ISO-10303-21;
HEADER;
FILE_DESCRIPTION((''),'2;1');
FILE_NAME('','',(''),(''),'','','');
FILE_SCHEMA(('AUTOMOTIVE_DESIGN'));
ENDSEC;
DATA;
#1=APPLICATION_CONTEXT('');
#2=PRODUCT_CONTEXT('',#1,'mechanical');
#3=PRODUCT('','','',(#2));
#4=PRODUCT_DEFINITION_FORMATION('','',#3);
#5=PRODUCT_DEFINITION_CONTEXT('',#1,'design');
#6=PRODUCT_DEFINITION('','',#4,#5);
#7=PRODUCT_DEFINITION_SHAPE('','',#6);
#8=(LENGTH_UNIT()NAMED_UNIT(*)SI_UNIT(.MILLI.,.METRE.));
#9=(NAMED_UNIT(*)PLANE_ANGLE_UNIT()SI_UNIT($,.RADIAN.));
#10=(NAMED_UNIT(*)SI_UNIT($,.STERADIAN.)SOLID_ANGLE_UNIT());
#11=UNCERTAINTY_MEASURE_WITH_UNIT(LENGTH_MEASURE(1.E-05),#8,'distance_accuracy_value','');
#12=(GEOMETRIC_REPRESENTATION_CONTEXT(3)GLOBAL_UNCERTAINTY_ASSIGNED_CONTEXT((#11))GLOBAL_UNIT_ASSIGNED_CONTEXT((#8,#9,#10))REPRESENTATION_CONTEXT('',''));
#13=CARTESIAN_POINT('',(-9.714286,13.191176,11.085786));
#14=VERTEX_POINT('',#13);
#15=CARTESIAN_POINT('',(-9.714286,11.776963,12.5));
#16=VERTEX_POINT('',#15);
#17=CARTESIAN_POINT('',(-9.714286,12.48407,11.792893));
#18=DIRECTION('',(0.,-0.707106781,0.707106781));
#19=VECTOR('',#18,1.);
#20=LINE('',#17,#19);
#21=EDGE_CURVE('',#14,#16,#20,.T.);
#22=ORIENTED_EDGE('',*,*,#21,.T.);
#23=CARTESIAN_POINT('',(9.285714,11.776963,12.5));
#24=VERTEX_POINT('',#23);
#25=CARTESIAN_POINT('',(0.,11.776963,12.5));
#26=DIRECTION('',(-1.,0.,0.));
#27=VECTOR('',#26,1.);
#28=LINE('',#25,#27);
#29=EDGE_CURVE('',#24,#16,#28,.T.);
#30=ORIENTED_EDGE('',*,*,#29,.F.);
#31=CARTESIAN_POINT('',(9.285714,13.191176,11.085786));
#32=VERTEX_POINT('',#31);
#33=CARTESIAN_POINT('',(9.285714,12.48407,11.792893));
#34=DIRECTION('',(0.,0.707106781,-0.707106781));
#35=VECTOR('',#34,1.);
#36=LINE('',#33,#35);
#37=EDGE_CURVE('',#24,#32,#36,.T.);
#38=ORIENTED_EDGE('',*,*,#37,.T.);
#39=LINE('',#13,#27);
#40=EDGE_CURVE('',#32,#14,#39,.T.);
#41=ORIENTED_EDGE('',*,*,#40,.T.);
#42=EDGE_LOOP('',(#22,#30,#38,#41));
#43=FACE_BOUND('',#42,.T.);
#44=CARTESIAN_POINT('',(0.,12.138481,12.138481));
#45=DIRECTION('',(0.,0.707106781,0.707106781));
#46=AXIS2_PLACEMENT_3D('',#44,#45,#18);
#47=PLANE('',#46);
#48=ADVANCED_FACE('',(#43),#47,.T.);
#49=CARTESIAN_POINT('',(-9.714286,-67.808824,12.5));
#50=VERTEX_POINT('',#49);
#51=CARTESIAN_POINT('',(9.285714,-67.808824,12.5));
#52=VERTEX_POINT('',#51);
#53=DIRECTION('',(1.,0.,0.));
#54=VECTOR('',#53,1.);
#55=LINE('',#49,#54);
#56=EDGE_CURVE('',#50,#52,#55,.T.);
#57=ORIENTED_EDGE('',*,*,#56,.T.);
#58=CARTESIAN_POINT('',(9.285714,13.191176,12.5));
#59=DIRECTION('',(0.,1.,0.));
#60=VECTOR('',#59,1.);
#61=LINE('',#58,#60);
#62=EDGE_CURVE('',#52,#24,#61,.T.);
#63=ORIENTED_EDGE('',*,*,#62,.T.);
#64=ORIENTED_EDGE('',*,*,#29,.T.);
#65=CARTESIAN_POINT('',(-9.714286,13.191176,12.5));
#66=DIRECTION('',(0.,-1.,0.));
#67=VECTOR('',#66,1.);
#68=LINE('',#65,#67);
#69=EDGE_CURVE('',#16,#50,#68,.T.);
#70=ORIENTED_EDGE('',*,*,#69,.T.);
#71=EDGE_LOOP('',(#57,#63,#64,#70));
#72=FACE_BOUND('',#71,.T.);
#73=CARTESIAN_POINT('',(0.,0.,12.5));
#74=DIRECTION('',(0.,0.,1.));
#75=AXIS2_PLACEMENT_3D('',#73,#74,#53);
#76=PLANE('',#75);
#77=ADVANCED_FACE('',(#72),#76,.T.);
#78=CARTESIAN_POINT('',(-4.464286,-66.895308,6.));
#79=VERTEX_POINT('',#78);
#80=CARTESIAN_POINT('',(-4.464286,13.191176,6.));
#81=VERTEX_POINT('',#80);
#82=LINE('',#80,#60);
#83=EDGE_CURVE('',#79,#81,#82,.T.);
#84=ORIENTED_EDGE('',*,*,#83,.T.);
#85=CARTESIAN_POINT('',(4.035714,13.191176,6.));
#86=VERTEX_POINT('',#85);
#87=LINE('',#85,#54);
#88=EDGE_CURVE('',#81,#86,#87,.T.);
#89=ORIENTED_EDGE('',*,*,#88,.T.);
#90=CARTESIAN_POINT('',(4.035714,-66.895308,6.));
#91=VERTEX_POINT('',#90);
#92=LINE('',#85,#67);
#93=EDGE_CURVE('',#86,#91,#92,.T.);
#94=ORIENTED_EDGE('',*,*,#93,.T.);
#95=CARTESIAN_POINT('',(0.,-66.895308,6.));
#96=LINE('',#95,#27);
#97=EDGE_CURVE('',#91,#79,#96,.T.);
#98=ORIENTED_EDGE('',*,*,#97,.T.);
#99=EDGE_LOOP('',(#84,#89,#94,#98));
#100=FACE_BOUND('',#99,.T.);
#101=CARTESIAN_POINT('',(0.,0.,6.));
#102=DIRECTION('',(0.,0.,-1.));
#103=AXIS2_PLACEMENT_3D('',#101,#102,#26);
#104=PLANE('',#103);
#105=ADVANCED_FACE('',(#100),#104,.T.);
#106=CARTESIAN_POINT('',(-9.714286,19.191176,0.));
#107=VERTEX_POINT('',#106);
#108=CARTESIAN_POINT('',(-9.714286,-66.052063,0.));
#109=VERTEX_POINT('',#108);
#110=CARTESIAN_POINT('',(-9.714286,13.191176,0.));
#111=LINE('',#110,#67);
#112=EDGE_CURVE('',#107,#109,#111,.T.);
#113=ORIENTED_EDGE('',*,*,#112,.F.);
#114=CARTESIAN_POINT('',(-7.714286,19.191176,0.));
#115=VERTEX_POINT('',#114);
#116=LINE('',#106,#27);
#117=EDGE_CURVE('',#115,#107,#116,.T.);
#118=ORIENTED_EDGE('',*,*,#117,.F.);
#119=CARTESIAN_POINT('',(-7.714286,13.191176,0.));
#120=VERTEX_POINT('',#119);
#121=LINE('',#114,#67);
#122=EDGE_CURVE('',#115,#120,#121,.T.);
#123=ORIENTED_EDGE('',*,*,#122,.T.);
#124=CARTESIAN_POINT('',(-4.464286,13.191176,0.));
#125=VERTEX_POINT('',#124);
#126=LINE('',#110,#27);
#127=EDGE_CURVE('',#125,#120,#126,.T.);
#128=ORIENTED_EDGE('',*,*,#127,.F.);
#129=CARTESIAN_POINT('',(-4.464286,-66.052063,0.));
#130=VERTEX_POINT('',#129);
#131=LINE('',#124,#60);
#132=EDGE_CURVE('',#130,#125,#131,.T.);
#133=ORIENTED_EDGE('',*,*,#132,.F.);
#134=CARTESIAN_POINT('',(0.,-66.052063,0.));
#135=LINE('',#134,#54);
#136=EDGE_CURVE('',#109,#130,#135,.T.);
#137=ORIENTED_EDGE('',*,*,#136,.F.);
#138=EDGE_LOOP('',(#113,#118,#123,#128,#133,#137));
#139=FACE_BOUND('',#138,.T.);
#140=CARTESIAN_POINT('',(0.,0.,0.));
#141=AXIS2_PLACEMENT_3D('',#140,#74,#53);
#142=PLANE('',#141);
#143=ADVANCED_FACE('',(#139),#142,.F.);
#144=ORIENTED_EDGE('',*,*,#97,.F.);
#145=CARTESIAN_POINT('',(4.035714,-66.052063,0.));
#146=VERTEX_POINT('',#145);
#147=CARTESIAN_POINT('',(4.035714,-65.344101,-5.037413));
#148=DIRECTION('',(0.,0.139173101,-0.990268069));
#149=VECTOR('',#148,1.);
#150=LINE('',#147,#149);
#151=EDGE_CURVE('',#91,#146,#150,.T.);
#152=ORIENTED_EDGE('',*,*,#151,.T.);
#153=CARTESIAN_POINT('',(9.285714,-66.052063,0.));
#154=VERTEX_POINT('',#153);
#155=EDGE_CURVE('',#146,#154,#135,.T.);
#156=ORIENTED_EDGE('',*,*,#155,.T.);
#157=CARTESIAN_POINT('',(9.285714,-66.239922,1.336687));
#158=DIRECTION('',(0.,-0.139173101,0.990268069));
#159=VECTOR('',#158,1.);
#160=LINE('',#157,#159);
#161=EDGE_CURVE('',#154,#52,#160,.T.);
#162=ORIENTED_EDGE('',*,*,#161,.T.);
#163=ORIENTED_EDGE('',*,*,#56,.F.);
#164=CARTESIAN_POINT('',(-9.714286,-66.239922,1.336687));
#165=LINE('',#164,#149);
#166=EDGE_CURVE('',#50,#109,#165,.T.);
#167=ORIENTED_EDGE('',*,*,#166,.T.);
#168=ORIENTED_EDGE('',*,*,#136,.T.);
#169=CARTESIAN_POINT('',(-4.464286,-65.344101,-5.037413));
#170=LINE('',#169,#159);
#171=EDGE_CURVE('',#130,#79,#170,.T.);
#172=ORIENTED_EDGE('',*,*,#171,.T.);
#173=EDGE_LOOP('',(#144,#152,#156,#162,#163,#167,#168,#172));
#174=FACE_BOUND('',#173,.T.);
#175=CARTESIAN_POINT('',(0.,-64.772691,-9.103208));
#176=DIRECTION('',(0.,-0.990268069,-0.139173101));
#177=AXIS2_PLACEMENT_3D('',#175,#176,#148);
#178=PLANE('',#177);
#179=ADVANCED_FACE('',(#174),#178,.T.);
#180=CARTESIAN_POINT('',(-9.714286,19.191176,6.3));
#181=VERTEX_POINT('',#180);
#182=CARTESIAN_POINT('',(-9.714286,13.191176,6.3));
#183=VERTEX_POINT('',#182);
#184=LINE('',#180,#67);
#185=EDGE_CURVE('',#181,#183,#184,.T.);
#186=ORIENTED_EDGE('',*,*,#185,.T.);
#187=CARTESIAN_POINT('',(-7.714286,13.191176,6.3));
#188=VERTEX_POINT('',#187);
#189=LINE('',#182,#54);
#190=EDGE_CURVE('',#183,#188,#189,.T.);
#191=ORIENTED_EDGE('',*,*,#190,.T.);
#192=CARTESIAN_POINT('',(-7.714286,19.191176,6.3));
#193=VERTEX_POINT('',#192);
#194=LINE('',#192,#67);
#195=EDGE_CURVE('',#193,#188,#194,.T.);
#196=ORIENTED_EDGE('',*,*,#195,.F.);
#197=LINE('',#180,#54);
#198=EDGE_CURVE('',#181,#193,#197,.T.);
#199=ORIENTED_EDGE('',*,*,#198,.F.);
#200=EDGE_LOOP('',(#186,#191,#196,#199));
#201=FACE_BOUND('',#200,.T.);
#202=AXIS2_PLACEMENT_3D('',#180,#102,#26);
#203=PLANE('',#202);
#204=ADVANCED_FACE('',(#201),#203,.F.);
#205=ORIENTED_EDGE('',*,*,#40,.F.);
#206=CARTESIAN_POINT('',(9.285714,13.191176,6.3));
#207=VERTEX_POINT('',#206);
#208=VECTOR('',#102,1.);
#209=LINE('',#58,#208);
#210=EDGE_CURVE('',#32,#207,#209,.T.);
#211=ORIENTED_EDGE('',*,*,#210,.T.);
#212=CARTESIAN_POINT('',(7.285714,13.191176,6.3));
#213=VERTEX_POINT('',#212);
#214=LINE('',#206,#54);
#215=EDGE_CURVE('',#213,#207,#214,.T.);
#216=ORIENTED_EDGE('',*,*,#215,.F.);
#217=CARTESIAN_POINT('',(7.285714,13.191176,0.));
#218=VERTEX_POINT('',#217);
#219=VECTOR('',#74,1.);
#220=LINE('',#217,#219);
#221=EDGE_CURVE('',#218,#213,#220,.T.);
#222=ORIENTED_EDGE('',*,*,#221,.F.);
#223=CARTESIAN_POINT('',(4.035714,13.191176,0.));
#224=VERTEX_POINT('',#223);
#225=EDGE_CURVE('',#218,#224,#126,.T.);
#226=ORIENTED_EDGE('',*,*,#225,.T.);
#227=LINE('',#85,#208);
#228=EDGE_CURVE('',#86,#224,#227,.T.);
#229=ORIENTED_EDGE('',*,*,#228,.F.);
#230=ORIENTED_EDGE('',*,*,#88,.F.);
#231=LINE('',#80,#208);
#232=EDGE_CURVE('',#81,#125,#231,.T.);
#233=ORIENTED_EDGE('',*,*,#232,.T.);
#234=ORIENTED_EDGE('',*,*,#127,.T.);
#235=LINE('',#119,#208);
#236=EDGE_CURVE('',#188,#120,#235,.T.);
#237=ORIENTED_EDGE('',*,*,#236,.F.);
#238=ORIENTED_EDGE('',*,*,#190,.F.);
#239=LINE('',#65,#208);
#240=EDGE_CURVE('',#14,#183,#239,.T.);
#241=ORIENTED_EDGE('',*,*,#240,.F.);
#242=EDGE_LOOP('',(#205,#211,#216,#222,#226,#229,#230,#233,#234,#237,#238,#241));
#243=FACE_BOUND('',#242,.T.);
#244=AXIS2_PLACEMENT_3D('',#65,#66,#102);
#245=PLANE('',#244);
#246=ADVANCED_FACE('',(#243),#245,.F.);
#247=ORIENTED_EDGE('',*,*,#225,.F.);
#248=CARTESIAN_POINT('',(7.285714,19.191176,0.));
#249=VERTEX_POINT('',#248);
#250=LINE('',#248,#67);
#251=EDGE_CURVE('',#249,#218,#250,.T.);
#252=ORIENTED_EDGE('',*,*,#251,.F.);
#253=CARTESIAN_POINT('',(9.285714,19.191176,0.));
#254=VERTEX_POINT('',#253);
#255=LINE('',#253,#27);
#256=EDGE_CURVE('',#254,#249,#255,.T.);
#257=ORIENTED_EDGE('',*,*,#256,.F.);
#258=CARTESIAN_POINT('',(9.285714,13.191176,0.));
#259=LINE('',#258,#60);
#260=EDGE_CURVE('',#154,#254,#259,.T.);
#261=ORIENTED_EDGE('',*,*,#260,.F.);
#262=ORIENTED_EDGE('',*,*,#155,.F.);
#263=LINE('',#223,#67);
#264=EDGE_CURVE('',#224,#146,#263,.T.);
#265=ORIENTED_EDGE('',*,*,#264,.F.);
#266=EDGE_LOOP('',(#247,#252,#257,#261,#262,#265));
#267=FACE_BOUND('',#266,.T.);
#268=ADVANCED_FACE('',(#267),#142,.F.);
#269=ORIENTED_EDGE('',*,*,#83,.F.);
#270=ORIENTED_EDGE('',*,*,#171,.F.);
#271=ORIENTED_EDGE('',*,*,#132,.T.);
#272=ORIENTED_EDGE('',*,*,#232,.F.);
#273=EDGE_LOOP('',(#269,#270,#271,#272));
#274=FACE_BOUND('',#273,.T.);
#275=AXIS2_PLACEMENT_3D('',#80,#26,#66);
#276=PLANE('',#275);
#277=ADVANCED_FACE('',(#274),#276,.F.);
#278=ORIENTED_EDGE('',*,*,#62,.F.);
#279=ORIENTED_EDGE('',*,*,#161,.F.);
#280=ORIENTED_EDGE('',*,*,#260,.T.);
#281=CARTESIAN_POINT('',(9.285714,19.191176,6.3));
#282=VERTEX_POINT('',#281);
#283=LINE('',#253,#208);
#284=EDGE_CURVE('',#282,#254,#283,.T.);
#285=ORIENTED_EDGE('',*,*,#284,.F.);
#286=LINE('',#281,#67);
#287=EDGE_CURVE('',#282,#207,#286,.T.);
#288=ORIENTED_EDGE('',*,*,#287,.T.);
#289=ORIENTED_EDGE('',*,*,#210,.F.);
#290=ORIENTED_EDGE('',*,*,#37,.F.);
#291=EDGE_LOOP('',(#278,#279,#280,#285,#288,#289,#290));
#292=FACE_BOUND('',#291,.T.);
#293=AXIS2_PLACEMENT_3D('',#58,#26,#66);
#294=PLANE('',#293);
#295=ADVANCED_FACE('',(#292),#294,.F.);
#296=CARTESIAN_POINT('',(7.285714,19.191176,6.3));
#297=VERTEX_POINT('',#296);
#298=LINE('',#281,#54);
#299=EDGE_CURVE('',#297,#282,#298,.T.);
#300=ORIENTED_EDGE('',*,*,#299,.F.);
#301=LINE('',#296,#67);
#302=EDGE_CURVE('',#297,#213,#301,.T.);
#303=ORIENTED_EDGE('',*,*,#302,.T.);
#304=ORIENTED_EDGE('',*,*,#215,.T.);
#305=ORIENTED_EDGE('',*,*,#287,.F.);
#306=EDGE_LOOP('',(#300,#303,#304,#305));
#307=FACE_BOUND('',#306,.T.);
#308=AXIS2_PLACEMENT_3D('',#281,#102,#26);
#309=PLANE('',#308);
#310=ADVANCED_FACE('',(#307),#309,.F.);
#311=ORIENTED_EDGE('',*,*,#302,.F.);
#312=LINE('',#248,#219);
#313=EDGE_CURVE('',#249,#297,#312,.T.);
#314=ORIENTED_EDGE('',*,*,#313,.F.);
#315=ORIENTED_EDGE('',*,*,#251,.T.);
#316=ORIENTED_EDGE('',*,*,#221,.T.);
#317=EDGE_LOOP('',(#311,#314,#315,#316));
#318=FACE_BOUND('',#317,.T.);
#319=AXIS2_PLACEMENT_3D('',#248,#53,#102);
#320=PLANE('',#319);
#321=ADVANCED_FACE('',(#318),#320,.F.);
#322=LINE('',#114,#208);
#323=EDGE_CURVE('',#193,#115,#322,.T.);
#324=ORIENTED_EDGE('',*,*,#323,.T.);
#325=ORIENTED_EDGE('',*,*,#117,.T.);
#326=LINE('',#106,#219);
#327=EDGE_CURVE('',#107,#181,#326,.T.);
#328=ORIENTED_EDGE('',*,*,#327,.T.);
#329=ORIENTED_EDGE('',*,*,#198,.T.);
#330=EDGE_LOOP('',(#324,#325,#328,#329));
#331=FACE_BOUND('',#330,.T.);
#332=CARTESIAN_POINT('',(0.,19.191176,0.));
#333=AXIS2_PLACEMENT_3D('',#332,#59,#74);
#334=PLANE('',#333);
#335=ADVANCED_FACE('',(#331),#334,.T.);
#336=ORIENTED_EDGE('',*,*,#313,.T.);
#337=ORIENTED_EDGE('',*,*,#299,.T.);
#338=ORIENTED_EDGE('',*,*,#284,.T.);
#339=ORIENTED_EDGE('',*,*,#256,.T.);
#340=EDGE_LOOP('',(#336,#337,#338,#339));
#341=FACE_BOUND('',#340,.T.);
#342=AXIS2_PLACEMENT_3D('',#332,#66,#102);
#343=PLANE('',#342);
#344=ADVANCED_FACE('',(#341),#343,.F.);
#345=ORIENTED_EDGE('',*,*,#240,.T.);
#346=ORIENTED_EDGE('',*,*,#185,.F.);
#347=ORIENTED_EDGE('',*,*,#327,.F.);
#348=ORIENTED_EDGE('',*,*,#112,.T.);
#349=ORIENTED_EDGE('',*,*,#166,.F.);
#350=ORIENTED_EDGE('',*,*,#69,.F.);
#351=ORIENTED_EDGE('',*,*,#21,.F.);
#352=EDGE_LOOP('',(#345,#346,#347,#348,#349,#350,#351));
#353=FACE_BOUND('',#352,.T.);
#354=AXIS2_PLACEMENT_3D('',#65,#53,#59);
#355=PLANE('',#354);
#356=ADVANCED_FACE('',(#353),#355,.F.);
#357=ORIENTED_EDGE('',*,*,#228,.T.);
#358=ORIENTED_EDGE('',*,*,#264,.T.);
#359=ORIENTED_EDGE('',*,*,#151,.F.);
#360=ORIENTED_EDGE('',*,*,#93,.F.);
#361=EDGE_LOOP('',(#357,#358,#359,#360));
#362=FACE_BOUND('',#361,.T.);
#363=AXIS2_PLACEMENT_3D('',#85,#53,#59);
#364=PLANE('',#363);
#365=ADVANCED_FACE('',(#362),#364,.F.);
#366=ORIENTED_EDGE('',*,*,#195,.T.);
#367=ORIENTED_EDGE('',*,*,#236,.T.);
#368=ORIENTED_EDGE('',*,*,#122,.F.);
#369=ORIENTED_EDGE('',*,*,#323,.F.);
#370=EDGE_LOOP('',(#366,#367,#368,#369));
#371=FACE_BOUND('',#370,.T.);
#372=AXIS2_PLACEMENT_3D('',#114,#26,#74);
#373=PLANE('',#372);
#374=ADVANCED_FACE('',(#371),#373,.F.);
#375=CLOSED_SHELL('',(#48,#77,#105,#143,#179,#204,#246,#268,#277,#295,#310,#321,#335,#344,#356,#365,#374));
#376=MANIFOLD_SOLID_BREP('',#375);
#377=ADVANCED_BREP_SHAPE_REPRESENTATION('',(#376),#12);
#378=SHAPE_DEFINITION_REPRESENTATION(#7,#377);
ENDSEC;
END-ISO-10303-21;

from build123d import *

# Parameters (mm, degrees)
SKETCH1_W           = 19
SKETCH1_H           = 81
BOSS_EXTRUDE1_DEPTH = 12.5
SKETCH2_W           = 8.5
SKETCH2_H           = 81
CUT_EXTRUDE1_DEPTH  = 6
SKETCH3_W           = 31.784398885
SKETCH3_H           = 20.084620154
CUT_EXTRUDE2_DEPTH  = 82.482700732
SKETCH4_W           = 27.793270948
SKETCH4_H           = 17.497219338
CUT_EXTRUDE3_DEPTH  = 82.444960882
SKETCH5_W           = 2
SKETCH5_H           = 6.3
BOSS_EXTRUDE2_DEPTH = 6


with BuildPart() as part:
    # Sketch1 → Boss-Extrude1 (new body)
    with BuildSketch(Plane.XY):
        with Locations((-0.214285714, -27.308823529)):
            Rectangle(SKETCH1_W, SKETCH1_H)
    extrude(amount=BOSS_EXTRUDE1_DEPTH)

    # Sketch2 → Cut-Extrude1 (cut)
    with BuildSketch(Plane(origin=(0, 0, 0), x_dir=(-1, 0, 0), z_dir=(0, 0, -1))):
        with Locations((0.214285714, -27.308823529)):
            Rectangle(SKETCH2_W, SKETCH2_H)
    extrude(amount=-CUT_EXTRUDE1_DEPTH, mode=Mode.SUBTRACT)

    # Sketch3 → Cut-Extrude2 (cut, through all)
    with BuildSketch(Plane(origin=(0, -64.772690644, -9.103208009), x_dir=(1, 0, 0), z_dir=(0, -0.9902680687415703, -0.13917310096006574))):
        with Locations((-0.737280551, 17.487835558)):
            Rectangle(SKETCH3_W, SKETCH3_H)
    extrude(amount=CUT_EXTRUDE2_DEPTH, mode=Mode.SUBTRACT)

    # Sketch4 → Cut-Extrude3 (cut, through all)
    with BuildSketch(Plane(origin=(0, 12.138481454, 12.138481454), x_dir=(-1, 0, 0), z_dir=(0, 0.7071067811865464, 0.7071067811865488))):
        with Locations((0.087709147, -6.370587608)):
            Rectangle(SKETCH4_W, SKETCH4_H)
    extrude(amount=CUT_EXTRUDE3_DEPTH, mode=Mode.SUBTRACT)

    # Sketch5 → Boss-Extrude2 (add)
    with BuildSketch(Plane(origin=(0, 13.191176471, 0), x_dir=(1, 0, 0), z_dir=(0, 1, 0))):
        with Locations((-8.714285714, -3.15)):
            Rectangle(SKETCH5_W, SKETCH5_H)
        with Locations((8.285714286, -3.15)):
            Rectangle(SKETCH5_W, SKETCH5_H)
    extrude(amount=BOSS_EXTRUDE2_DEPTH)


solid = part.part
